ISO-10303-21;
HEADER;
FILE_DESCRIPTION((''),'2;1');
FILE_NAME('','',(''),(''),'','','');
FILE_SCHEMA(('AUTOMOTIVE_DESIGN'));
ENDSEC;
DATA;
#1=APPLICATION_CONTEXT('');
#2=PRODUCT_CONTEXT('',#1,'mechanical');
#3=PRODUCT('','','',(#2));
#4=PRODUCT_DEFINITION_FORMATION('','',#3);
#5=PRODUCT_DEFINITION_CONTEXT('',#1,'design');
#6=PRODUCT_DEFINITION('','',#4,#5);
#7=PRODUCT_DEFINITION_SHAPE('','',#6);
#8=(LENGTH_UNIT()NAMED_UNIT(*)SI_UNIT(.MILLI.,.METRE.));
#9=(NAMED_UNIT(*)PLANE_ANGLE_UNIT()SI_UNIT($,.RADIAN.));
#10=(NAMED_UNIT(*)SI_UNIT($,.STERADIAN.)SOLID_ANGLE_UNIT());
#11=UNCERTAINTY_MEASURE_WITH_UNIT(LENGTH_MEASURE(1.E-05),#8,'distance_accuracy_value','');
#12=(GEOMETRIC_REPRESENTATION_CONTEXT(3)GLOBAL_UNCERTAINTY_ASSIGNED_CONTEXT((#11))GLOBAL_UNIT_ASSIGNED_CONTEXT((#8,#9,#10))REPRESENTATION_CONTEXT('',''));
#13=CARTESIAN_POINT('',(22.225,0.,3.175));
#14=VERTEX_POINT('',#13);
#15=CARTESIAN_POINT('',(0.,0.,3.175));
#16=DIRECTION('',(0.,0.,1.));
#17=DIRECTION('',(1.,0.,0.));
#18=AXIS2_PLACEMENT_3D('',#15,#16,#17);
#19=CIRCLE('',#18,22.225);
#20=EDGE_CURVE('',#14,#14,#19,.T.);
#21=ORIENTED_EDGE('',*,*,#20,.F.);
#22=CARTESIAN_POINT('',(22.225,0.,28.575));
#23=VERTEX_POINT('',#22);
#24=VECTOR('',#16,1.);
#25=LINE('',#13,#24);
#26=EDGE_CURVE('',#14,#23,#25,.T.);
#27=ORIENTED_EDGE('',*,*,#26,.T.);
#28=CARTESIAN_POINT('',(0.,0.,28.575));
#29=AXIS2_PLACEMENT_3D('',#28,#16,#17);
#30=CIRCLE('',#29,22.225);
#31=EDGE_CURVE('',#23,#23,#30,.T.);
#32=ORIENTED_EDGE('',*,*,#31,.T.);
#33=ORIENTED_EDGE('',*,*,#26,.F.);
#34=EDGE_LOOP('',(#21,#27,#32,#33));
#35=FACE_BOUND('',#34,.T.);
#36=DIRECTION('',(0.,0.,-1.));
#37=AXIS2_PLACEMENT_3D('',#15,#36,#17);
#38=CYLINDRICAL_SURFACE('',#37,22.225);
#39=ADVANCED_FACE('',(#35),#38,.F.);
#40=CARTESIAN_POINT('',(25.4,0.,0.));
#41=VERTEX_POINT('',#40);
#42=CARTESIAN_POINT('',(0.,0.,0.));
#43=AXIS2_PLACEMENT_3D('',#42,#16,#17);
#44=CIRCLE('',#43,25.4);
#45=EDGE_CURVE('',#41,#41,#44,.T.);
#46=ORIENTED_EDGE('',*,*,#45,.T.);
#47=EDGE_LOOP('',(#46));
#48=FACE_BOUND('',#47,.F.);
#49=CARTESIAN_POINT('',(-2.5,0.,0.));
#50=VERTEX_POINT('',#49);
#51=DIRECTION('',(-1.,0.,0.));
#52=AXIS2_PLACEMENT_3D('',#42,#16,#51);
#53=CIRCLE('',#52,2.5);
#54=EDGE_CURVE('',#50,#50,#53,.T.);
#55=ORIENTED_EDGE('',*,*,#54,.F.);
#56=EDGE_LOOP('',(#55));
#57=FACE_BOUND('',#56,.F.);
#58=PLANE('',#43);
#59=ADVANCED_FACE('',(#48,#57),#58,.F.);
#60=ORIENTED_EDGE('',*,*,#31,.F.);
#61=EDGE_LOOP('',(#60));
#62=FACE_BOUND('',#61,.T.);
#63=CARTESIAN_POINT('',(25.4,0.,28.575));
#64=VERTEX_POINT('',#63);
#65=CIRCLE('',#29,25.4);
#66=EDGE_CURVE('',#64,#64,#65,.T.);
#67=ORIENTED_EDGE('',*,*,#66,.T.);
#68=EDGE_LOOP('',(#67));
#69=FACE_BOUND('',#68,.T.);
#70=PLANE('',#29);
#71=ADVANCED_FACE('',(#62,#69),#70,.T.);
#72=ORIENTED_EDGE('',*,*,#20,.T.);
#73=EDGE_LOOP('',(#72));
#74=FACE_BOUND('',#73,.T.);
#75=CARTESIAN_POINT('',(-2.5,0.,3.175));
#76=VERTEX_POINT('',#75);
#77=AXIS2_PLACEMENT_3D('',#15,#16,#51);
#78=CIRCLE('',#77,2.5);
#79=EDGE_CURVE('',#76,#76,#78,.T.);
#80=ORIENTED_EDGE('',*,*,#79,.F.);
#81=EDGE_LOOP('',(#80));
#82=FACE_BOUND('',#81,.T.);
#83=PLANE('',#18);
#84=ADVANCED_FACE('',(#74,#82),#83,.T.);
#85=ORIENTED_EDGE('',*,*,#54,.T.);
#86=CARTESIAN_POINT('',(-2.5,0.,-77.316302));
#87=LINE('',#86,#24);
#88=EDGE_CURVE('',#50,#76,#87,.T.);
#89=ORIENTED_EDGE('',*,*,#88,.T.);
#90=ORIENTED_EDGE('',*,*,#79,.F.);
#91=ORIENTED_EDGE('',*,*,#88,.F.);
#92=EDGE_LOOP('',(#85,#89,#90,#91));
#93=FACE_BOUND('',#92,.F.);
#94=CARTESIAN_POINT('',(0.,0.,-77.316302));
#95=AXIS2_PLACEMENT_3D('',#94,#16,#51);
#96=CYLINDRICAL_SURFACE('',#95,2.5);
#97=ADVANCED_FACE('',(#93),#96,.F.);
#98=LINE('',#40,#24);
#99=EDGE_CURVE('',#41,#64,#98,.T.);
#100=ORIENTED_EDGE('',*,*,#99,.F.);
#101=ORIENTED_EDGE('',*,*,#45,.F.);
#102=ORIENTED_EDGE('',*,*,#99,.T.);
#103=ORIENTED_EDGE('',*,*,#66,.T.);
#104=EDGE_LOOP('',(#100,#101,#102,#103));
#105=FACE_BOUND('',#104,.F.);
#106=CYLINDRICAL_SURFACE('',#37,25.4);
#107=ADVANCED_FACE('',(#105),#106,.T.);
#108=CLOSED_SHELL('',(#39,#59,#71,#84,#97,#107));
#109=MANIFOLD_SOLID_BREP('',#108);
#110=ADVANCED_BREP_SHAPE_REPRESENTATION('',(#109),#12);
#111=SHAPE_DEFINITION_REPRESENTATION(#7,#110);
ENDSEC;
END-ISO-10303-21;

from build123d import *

# Parameters (mm, degrees)
F0_R     = 25.4
F1_DEPTH = 3.175
F2_R     = 25.4
F2_R_2   = 22.225
F3_DEPTH = 25.4
F4_D     = 5


with BuildPart() as f1:
    # F0 (on Top) → F1 (new body)
    with BuildSketch(Plane.XY):
        Circle(F0_R)
    extrude(amount=F1_DEPTH)

    # F2 (on face) → F3 (join)
    with BuildSketch(Plane.XY.offset(3.175)):
        Circle(F2_R)
        Circle(F2_R_2, mode=Mode.SUBTRACT)
    extrude(amount=F3_DEPTH)

    # F4 (through all)
    with Locations(Plane(origin=(0, 0, 0), x_dir=(1, 0, 0), z_dir=(0, 0, -1))):
        with Locations((0, 0)):
            Hole(F4_D / 2)


solid = f1.part
